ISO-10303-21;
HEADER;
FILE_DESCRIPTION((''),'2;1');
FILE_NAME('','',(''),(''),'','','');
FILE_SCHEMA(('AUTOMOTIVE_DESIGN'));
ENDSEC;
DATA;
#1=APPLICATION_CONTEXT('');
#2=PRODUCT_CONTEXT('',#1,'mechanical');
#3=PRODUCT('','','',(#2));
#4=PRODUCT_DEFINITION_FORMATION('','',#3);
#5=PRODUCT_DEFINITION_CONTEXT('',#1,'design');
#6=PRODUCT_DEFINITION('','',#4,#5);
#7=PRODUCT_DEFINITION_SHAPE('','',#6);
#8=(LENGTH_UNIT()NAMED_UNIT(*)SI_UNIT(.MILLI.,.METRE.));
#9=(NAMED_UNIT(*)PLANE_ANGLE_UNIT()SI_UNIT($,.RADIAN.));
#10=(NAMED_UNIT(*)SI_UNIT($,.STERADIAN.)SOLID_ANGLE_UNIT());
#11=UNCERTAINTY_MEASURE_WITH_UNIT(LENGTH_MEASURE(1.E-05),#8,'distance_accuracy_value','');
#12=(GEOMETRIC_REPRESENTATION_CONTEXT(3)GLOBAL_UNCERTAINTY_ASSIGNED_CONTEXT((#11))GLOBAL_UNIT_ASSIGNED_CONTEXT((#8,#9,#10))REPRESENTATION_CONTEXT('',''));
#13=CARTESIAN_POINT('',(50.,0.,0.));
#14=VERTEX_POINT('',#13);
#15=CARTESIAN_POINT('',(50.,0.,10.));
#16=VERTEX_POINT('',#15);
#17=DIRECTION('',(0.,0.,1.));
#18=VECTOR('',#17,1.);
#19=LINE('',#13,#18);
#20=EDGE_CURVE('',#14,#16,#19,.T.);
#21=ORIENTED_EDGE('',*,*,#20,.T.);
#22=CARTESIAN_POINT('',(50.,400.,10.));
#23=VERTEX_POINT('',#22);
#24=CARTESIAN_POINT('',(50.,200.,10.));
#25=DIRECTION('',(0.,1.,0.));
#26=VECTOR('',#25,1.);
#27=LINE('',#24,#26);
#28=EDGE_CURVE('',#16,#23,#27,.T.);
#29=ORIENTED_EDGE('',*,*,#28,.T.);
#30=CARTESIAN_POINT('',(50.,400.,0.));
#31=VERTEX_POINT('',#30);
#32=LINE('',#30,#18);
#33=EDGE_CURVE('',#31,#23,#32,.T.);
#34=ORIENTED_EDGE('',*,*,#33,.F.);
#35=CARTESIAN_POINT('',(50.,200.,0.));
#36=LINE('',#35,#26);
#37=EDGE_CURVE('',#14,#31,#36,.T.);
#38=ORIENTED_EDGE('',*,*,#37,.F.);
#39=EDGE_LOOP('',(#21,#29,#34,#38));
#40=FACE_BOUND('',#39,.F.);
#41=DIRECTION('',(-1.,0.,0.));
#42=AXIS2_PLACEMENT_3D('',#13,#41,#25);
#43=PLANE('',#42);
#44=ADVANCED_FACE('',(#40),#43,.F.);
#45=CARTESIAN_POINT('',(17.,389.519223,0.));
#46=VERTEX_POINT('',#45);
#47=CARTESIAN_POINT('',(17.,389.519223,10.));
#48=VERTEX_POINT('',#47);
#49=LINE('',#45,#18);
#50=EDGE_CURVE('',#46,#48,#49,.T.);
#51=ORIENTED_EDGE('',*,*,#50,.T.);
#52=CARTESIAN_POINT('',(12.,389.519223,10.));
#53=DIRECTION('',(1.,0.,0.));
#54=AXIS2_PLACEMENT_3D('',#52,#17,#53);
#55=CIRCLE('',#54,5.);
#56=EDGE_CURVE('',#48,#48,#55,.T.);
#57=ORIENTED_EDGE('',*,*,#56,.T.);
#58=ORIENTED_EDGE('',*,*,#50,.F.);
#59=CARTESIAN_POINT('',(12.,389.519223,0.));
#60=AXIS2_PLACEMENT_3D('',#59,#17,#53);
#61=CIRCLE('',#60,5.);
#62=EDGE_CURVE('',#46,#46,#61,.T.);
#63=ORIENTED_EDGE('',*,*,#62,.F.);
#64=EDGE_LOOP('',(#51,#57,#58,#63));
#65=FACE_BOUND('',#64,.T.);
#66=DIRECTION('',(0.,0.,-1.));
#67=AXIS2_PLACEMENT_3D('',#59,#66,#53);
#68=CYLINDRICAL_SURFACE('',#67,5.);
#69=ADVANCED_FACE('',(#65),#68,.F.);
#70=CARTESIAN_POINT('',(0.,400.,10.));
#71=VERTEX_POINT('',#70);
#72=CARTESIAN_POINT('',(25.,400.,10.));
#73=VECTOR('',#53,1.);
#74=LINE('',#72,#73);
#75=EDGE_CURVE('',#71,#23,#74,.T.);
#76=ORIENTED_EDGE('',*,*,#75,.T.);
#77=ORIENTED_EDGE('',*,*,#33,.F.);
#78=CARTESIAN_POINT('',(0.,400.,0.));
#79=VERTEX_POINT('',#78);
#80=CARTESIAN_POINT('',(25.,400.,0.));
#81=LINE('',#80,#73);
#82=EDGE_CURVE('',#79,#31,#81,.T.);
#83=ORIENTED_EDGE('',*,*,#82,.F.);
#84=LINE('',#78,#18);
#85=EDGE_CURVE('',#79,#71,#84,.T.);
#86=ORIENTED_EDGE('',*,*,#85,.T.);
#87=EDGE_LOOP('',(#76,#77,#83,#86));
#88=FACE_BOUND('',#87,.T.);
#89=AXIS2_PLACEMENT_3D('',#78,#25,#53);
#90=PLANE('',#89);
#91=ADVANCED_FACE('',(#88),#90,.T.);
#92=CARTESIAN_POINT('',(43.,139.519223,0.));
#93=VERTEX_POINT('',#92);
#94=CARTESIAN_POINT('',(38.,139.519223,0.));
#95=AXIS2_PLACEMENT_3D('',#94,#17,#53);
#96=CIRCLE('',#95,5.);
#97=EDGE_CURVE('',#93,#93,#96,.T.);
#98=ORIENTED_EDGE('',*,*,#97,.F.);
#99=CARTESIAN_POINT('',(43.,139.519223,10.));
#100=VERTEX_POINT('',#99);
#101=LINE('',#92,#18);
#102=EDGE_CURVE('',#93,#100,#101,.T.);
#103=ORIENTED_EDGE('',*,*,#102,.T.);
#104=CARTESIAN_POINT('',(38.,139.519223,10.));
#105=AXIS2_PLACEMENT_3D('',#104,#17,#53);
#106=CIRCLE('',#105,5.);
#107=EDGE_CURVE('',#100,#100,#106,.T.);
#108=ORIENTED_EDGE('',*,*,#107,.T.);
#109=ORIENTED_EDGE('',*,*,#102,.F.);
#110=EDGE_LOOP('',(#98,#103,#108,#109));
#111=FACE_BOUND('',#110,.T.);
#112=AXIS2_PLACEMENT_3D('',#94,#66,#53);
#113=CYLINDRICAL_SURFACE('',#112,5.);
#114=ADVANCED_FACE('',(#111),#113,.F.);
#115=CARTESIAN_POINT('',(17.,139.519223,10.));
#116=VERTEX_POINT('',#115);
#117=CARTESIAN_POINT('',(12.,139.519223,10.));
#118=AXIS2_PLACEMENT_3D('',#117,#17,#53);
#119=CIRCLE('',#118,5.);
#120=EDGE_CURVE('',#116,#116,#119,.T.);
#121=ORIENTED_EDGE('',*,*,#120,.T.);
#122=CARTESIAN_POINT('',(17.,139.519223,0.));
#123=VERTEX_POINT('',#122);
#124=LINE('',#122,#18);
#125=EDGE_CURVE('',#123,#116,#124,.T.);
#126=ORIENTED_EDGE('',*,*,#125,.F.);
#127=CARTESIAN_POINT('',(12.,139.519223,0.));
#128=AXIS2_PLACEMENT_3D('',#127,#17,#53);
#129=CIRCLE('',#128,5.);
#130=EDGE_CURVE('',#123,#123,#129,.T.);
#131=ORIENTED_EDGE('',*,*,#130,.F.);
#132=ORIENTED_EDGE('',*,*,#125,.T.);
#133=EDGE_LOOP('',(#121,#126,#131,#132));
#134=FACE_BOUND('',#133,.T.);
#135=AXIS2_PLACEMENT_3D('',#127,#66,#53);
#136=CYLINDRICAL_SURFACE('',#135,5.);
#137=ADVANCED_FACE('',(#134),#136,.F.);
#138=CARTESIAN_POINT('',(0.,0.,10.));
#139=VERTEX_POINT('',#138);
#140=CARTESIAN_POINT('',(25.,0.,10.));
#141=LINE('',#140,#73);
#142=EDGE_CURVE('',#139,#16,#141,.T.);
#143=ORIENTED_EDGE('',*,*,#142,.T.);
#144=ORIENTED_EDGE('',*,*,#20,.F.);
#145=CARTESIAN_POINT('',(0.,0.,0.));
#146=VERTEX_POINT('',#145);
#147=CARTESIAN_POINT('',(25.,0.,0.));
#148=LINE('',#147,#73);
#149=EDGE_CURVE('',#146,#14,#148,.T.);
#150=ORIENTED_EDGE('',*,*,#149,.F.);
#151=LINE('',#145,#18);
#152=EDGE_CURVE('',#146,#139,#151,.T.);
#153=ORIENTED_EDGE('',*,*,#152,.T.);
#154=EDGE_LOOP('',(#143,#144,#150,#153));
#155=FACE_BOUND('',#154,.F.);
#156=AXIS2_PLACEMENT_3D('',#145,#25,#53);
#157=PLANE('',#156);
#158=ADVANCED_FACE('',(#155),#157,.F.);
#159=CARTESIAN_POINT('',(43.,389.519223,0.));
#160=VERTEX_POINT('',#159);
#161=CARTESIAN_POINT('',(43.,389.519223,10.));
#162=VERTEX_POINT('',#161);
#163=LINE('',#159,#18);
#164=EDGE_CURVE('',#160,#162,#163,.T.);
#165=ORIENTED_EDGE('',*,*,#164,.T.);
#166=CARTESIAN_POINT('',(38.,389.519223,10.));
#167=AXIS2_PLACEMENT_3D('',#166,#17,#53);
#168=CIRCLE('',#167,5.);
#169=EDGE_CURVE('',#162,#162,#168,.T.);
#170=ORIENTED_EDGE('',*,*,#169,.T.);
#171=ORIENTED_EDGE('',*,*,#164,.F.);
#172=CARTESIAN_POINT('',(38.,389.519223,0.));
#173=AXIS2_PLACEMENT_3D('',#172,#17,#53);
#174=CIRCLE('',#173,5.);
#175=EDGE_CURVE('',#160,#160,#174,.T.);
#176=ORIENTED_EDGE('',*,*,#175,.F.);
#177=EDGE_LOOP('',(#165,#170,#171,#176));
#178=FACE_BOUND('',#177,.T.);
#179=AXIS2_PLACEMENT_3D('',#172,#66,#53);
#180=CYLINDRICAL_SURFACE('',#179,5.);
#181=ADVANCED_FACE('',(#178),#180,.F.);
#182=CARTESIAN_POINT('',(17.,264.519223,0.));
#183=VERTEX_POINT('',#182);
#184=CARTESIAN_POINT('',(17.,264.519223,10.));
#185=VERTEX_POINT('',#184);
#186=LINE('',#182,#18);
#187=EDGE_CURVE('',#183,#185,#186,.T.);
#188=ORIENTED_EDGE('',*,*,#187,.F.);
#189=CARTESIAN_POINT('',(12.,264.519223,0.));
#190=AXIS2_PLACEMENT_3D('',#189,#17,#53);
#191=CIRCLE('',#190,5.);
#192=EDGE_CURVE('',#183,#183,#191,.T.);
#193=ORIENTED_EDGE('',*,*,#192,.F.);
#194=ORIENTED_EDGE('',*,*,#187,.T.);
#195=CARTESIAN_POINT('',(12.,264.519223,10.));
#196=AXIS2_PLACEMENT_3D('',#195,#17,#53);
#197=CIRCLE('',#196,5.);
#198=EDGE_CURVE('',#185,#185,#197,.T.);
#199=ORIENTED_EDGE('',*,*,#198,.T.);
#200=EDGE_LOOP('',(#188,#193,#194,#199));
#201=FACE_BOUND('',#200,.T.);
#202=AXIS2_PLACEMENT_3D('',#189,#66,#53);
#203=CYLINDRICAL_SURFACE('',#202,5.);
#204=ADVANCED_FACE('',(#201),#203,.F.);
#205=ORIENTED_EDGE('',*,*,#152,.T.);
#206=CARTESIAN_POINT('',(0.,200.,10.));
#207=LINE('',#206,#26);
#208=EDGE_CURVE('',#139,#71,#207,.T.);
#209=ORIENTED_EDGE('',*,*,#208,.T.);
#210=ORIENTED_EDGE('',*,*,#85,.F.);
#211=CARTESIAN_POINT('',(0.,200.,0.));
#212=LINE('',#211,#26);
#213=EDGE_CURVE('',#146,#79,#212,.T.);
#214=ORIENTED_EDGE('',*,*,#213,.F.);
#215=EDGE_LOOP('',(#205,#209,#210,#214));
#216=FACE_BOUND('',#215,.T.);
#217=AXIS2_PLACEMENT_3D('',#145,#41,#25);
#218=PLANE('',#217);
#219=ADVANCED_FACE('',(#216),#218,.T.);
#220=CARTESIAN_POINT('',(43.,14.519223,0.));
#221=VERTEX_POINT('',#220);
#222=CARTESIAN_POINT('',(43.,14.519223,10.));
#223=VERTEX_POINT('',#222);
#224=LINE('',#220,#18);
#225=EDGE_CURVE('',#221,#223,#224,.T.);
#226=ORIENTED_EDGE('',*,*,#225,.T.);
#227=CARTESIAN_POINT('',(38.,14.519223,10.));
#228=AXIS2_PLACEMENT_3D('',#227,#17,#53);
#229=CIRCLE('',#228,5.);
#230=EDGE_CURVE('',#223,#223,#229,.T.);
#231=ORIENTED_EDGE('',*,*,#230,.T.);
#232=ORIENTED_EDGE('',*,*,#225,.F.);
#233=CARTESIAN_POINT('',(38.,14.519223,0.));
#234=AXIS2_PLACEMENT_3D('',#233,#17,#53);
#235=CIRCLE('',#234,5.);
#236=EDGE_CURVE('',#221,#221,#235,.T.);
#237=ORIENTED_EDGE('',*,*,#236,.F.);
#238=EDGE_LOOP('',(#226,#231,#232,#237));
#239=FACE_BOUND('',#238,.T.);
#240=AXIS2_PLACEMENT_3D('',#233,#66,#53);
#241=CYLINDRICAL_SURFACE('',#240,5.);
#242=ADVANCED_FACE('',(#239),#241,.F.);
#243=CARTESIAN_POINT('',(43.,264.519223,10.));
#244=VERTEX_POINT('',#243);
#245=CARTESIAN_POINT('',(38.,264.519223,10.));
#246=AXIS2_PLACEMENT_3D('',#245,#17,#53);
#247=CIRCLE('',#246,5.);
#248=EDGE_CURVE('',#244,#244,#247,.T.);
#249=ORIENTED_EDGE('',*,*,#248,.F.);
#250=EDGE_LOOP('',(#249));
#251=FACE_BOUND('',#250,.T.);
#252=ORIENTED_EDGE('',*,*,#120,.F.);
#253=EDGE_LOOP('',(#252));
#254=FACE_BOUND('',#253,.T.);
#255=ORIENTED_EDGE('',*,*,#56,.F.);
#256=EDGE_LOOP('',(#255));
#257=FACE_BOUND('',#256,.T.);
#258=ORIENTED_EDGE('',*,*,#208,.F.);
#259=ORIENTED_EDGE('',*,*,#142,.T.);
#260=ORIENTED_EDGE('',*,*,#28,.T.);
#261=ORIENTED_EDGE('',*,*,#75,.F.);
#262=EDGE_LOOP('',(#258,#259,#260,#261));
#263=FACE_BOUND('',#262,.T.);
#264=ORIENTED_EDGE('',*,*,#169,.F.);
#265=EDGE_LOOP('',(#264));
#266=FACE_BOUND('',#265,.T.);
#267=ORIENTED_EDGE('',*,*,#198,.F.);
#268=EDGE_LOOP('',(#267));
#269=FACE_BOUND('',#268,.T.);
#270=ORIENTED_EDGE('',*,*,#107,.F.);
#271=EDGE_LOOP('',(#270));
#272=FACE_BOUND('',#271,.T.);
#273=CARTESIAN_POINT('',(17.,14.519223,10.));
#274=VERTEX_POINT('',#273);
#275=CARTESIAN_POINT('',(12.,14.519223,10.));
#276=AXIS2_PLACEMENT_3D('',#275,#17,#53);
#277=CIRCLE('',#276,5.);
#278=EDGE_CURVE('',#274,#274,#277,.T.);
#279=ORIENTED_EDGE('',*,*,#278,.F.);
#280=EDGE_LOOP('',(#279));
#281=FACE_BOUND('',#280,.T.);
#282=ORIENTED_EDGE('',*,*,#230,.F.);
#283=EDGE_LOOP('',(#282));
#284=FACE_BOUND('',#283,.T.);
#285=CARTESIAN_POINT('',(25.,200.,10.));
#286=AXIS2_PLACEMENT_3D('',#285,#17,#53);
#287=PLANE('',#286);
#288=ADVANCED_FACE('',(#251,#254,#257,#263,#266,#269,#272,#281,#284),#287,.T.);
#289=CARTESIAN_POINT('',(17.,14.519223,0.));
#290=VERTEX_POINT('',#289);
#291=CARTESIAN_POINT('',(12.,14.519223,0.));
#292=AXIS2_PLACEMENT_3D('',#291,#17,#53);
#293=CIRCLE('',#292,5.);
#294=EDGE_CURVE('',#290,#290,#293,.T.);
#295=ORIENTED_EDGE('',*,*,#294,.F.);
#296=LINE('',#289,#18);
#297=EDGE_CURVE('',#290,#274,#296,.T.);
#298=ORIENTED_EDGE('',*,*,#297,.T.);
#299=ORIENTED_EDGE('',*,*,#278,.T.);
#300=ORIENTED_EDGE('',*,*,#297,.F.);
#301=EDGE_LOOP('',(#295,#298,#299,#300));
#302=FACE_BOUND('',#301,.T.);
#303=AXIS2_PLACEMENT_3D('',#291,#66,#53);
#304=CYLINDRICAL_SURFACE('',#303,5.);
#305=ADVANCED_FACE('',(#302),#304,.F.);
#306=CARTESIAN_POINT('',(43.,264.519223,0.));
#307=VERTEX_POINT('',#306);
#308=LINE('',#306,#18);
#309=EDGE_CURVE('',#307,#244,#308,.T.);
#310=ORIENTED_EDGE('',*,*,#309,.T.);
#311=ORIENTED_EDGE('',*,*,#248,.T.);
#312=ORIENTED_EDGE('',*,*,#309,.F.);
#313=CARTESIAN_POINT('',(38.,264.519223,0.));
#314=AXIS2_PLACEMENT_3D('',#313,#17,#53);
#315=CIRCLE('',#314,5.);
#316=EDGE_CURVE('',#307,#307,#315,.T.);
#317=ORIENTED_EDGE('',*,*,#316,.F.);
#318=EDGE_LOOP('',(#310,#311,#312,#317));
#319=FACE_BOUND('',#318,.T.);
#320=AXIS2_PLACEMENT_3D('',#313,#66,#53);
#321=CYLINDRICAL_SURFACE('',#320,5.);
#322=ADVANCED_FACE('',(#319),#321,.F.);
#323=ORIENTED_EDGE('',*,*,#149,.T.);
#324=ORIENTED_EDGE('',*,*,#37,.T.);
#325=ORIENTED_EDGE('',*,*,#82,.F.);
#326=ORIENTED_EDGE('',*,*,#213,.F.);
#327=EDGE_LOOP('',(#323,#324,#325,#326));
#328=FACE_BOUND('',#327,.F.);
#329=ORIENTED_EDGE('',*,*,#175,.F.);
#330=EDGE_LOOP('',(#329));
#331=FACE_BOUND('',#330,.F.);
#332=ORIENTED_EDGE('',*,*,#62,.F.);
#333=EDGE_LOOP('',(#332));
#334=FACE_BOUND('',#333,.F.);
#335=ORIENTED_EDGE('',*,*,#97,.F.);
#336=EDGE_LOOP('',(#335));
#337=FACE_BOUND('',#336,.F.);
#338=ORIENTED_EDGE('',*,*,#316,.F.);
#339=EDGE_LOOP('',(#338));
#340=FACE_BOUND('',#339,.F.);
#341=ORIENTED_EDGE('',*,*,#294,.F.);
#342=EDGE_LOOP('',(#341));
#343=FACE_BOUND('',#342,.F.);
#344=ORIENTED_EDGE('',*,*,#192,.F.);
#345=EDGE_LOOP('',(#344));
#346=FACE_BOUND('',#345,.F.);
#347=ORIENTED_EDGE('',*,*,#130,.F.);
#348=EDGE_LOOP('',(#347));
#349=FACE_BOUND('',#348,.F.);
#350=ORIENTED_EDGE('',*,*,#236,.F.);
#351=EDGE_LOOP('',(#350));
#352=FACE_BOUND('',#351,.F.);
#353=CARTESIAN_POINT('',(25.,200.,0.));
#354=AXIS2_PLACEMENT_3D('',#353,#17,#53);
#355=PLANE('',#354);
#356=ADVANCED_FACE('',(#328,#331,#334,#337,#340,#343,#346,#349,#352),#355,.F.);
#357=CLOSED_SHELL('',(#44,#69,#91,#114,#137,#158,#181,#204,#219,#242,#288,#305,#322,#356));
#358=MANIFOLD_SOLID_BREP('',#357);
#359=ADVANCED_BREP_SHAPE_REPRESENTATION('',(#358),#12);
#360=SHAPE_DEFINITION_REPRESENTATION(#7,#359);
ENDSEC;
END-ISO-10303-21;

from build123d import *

# Parameters (mm, degrees)
F0_W     = 50
F0_H     = 400
F0_R     = 5
F1_DEPTH = 10


with BuildPart() as f1:
    # F0 (on Top) → F1 (new body)
    with BuildSketch(Plane.XY):
        with Locations((25, 200)):
            Rectangle(F0_W, F0_H)
        with Locations((12, 14.519223)):
            Circle(F0_R, mode=Mode.SUBTRACT)
        with Locations((12, 139.519223)):
            Circle(F0_R, mode=Mode.SUBTRACT)
        with Locations((38, 14.519223)):
            Circle(F0_R, mode=Mode.SUBTRACT)
        with Locations((38, 139.519223)):
            Circle(F0_R, mode=Mode.SUBTRACT)
        with Locations((12, 264.519223)):
            Circle(F0_R, mode=Mode.SUBTRACT)
        with Locations((12, 389.519223)):
            Circle(F0_R, mode=Mode.SUBTRACT)
        with Locations((38, 264.519223)):
            Circle(F0_R, mode=Mode.SUBTRACT)
        with Locations((38, 389.519223)):
            Circle(F0_R, mode=Mode.SUBTRACT)
    extrude(amount=F1_DEPTH)


solid = f1.part
